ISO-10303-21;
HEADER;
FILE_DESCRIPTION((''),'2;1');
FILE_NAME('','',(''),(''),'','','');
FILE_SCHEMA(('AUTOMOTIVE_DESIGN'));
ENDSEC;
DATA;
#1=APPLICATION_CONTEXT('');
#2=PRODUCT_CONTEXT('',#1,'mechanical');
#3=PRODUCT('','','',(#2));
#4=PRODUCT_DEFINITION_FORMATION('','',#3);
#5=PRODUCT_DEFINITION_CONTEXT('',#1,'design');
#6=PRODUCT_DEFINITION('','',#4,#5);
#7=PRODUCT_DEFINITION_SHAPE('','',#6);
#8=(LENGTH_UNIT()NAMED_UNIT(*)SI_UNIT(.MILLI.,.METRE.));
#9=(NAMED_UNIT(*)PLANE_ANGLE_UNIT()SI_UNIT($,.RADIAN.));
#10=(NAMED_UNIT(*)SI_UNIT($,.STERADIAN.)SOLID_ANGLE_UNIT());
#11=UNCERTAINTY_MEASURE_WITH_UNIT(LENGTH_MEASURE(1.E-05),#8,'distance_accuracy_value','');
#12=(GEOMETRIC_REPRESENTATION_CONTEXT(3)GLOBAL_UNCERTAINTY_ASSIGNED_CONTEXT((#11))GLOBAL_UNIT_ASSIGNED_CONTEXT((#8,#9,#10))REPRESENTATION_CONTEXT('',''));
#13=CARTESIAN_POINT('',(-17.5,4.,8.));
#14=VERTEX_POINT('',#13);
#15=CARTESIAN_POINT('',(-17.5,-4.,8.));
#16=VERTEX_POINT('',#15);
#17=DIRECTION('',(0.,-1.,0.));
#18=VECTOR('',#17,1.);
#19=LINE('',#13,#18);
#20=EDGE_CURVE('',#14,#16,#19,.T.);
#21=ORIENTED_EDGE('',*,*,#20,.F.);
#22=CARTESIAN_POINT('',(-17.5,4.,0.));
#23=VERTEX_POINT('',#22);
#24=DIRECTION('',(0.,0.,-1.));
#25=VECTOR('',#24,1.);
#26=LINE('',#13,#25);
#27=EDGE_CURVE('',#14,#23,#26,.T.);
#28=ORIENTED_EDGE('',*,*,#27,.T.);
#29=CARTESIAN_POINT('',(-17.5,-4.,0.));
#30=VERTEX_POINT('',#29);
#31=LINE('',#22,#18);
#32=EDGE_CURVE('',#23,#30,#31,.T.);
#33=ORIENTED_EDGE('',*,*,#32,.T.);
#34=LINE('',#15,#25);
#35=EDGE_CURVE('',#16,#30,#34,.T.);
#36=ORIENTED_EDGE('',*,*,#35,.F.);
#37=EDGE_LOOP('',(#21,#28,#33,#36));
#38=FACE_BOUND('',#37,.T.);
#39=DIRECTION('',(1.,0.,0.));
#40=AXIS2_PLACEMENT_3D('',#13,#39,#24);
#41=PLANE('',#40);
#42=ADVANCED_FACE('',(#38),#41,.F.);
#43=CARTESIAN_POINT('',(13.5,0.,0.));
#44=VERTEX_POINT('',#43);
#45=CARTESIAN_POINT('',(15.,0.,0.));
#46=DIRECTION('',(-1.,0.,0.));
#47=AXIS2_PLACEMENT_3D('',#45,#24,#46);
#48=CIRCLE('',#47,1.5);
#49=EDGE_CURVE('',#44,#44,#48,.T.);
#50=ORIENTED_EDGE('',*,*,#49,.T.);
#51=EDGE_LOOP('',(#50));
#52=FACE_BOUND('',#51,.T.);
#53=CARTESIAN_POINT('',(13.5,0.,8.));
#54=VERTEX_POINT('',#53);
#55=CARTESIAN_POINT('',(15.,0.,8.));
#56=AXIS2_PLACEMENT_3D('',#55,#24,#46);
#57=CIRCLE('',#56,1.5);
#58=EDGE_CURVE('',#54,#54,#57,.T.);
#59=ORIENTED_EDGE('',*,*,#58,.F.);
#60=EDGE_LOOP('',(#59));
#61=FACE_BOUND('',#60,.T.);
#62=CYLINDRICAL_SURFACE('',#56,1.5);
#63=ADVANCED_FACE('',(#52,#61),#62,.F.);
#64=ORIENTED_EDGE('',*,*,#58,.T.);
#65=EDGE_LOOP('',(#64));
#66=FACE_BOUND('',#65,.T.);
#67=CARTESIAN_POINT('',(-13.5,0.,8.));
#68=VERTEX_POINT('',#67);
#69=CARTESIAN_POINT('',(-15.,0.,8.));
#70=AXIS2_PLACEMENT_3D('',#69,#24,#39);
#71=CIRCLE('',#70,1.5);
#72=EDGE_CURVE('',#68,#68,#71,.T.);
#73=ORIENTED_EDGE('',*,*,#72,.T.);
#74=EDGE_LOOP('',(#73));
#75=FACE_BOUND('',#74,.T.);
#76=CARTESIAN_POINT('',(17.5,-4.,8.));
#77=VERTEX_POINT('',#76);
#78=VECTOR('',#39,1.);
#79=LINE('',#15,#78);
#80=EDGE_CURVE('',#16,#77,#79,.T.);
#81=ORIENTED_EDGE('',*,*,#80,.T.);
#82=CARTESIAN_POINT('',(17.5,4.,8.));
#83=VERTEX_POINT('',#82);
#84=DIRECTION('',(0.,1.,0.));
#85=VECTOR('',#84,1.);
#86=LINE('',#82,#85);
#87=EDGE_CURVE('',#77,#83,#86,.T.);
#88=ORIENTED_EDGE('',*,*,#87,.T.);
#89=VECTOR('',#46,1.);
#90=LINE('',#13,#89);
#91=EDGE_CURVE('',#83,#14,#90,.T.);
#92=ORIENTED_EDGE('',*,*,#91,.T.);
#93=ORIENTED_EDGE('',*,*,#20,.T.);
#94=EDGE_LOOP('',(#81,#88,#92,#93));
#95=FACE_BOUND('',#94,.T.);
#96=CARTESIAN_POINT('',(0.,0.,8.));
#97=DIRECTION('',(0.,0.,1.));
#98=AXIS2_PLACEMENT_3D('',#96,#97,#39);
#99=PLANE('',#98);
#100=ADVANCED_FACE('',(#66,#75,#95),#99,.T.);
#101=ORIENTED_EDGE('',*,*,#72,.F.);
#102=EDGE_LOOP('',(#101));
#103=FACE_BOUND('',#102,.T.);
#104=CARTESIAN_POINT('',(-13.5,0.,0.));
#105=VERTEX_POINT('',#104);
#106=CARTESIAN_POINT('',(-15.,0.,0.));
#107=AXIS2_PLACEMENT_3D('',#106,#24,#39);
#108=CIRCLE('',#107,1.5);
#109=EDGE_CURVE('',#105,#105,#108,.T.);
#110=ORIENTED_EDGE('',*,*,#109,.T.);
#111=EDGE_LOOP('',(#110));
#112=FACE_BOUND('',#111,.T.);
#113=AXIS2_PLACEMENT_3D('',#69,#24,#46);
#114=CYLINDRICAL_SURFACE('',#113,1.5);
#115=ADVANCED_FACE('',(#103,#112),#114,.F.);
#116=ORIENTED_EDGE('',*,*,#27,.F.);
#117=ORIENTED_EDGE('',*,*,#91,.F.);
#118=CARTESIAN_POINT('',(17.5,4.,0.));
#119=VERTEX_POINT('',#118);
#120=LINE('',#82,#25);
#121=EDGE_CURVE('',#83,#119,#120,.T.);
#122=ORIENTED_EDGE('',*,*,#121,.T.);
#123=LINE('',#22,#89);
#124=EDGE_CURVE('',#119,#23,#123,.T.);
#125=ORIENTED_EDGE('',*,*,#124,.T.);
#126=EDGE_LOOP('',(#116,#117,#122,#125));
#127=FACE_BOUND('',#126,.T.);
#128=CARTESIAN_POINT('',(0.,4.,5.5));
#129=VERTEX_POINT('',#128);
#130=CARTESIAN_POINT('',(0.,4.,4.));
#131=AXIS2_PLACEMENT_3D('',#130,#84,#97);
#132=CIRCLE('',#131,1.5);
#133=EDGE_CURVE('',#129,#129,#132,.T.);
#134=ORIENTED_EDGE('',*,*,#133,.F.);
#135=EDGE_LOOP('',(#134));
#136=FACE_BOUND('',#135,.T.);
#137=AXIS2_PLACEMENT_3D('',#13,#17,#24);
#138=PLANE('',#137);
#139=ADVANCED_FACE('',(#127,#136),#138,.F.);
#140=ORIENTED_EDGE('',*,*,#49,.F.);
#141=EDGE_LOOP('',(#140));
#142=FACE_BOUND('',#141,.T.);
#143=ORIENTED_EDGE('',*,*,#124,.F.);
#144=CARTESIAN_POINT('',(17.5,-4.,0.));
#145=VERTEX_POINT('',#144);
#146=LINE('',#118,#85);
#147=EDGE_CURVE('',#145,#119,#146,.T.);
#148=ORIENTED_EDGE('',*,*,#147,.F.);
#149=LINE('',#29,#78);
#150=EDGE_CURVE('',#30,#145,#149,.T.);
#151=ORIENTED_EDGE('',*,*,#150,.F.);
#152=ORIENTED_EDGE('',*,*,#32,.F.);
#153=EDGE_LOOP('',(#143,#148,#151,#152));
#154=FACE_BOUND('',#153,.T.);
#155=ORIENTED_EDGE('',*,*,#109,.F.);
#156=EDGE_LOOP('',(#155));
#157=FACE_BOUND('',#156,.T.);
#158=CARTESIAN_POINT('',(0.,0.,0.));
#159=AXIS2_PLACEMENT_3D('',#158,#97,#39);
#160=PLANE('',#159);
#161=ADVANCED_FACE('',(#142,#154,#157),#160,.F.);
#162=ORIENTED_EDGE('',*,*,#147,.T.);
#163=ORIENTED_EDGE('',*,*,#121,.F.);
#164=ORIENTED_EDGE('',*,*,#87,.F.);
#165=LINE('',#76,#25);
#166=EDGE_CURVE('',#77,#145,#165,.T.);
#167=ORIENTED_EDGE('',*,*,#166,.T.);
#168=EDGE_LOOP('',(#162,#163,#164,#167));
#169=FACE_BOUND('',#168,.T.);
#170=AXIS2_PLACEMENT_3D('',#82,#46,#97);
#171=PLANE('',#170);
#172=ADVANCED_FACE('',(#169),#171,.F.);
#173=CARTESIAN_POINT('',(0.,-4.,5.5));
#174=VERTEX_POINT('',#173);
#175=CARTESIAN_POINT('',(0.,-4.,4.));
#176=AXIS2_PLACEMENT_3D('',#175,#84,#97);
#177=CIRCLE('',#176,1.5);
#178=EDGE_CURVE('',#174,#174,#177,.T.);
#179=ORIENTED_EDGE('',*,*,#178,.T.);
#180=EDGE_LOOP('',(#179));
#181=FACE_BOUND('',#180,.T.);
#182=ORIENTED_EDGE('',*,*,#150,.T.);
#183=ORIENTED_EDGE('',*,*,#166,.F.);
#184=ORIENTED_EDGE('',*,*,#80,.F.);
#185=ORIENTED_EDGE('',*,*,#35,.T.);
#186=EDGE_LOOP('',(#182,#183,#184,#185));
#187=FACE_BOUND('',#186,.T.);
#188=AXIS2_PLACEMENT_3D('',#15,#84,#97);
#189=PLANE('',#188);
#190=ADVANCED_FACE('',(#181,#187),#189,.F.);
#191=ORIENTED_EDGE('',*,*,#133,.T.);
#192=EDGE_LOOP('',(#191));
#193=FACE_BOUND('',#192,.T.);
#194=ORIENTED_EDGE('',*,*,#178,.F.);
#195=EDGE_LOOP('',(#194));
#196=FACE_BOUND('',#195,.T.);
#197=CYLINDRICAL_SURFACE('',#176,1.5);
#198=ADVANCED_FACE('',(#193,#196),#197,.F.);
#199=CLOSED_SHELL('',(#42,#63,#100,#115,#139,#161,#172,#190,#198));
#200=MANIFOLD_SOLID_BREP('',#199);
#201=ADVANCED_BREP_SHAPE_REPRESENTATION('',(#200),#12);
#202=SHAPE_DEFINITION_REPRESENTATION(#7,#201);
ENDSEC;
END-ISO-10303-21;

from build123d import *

# Parameters (mm, degrees)
SKETCH_1_W          = 35
SKETCH_1_H          = 8
EXTRUDE_2_DEPTH     = 8
SKETCH_3_R          = 1.5
CUT_EXTRUDE_1_DEPTH = 8
SKETCH_4_R          = 1.5
CUT_EXTRUDE_2_DEPTH = 8


with BuildPart() as part:
    # 草图1 → 凸台-拉伸2 (new body)
    with BuildSketch(Plane.XY):
        Rectangle(SKETCH_1_W, SKETCH_1_H)
    extrude(amount=EXTRUDE_2_DEPTH)

    # 草图3 → 切除-拉伸1 (cut)
    with BuildSketch(Plane(origin=(0, 0, 0), x_dir=(-1, 0, 0), z_dir=(0, 0, -1))):
        with Locations((-15, 0)):
            Circle(SKETCH_3_R)
        with Locations(Location((15, 0, 0), (0, 0, 180))):
            Circle(SKETCH_3_R)
    extrude(amount=-CUT_EXTRUDE_1_DEPTH, mode=Mode.SUBTRACT)

    # 草图4 → 切除-拉伸2 (cut)
    with BuildSketch(Plane(origin=(0, 4, 0), x_dir=(1, 0, 0), z_dir=(0, 1, 0))):
        with Locations(Location((0, -4, 0), (0, 0, 270))):
            Circle(SKETCH_4_R)
    extrude(amount=-CUT_EXTRUDE_2_DEPTH, mode=Mode.SUBTRACT)


solid = part.part
